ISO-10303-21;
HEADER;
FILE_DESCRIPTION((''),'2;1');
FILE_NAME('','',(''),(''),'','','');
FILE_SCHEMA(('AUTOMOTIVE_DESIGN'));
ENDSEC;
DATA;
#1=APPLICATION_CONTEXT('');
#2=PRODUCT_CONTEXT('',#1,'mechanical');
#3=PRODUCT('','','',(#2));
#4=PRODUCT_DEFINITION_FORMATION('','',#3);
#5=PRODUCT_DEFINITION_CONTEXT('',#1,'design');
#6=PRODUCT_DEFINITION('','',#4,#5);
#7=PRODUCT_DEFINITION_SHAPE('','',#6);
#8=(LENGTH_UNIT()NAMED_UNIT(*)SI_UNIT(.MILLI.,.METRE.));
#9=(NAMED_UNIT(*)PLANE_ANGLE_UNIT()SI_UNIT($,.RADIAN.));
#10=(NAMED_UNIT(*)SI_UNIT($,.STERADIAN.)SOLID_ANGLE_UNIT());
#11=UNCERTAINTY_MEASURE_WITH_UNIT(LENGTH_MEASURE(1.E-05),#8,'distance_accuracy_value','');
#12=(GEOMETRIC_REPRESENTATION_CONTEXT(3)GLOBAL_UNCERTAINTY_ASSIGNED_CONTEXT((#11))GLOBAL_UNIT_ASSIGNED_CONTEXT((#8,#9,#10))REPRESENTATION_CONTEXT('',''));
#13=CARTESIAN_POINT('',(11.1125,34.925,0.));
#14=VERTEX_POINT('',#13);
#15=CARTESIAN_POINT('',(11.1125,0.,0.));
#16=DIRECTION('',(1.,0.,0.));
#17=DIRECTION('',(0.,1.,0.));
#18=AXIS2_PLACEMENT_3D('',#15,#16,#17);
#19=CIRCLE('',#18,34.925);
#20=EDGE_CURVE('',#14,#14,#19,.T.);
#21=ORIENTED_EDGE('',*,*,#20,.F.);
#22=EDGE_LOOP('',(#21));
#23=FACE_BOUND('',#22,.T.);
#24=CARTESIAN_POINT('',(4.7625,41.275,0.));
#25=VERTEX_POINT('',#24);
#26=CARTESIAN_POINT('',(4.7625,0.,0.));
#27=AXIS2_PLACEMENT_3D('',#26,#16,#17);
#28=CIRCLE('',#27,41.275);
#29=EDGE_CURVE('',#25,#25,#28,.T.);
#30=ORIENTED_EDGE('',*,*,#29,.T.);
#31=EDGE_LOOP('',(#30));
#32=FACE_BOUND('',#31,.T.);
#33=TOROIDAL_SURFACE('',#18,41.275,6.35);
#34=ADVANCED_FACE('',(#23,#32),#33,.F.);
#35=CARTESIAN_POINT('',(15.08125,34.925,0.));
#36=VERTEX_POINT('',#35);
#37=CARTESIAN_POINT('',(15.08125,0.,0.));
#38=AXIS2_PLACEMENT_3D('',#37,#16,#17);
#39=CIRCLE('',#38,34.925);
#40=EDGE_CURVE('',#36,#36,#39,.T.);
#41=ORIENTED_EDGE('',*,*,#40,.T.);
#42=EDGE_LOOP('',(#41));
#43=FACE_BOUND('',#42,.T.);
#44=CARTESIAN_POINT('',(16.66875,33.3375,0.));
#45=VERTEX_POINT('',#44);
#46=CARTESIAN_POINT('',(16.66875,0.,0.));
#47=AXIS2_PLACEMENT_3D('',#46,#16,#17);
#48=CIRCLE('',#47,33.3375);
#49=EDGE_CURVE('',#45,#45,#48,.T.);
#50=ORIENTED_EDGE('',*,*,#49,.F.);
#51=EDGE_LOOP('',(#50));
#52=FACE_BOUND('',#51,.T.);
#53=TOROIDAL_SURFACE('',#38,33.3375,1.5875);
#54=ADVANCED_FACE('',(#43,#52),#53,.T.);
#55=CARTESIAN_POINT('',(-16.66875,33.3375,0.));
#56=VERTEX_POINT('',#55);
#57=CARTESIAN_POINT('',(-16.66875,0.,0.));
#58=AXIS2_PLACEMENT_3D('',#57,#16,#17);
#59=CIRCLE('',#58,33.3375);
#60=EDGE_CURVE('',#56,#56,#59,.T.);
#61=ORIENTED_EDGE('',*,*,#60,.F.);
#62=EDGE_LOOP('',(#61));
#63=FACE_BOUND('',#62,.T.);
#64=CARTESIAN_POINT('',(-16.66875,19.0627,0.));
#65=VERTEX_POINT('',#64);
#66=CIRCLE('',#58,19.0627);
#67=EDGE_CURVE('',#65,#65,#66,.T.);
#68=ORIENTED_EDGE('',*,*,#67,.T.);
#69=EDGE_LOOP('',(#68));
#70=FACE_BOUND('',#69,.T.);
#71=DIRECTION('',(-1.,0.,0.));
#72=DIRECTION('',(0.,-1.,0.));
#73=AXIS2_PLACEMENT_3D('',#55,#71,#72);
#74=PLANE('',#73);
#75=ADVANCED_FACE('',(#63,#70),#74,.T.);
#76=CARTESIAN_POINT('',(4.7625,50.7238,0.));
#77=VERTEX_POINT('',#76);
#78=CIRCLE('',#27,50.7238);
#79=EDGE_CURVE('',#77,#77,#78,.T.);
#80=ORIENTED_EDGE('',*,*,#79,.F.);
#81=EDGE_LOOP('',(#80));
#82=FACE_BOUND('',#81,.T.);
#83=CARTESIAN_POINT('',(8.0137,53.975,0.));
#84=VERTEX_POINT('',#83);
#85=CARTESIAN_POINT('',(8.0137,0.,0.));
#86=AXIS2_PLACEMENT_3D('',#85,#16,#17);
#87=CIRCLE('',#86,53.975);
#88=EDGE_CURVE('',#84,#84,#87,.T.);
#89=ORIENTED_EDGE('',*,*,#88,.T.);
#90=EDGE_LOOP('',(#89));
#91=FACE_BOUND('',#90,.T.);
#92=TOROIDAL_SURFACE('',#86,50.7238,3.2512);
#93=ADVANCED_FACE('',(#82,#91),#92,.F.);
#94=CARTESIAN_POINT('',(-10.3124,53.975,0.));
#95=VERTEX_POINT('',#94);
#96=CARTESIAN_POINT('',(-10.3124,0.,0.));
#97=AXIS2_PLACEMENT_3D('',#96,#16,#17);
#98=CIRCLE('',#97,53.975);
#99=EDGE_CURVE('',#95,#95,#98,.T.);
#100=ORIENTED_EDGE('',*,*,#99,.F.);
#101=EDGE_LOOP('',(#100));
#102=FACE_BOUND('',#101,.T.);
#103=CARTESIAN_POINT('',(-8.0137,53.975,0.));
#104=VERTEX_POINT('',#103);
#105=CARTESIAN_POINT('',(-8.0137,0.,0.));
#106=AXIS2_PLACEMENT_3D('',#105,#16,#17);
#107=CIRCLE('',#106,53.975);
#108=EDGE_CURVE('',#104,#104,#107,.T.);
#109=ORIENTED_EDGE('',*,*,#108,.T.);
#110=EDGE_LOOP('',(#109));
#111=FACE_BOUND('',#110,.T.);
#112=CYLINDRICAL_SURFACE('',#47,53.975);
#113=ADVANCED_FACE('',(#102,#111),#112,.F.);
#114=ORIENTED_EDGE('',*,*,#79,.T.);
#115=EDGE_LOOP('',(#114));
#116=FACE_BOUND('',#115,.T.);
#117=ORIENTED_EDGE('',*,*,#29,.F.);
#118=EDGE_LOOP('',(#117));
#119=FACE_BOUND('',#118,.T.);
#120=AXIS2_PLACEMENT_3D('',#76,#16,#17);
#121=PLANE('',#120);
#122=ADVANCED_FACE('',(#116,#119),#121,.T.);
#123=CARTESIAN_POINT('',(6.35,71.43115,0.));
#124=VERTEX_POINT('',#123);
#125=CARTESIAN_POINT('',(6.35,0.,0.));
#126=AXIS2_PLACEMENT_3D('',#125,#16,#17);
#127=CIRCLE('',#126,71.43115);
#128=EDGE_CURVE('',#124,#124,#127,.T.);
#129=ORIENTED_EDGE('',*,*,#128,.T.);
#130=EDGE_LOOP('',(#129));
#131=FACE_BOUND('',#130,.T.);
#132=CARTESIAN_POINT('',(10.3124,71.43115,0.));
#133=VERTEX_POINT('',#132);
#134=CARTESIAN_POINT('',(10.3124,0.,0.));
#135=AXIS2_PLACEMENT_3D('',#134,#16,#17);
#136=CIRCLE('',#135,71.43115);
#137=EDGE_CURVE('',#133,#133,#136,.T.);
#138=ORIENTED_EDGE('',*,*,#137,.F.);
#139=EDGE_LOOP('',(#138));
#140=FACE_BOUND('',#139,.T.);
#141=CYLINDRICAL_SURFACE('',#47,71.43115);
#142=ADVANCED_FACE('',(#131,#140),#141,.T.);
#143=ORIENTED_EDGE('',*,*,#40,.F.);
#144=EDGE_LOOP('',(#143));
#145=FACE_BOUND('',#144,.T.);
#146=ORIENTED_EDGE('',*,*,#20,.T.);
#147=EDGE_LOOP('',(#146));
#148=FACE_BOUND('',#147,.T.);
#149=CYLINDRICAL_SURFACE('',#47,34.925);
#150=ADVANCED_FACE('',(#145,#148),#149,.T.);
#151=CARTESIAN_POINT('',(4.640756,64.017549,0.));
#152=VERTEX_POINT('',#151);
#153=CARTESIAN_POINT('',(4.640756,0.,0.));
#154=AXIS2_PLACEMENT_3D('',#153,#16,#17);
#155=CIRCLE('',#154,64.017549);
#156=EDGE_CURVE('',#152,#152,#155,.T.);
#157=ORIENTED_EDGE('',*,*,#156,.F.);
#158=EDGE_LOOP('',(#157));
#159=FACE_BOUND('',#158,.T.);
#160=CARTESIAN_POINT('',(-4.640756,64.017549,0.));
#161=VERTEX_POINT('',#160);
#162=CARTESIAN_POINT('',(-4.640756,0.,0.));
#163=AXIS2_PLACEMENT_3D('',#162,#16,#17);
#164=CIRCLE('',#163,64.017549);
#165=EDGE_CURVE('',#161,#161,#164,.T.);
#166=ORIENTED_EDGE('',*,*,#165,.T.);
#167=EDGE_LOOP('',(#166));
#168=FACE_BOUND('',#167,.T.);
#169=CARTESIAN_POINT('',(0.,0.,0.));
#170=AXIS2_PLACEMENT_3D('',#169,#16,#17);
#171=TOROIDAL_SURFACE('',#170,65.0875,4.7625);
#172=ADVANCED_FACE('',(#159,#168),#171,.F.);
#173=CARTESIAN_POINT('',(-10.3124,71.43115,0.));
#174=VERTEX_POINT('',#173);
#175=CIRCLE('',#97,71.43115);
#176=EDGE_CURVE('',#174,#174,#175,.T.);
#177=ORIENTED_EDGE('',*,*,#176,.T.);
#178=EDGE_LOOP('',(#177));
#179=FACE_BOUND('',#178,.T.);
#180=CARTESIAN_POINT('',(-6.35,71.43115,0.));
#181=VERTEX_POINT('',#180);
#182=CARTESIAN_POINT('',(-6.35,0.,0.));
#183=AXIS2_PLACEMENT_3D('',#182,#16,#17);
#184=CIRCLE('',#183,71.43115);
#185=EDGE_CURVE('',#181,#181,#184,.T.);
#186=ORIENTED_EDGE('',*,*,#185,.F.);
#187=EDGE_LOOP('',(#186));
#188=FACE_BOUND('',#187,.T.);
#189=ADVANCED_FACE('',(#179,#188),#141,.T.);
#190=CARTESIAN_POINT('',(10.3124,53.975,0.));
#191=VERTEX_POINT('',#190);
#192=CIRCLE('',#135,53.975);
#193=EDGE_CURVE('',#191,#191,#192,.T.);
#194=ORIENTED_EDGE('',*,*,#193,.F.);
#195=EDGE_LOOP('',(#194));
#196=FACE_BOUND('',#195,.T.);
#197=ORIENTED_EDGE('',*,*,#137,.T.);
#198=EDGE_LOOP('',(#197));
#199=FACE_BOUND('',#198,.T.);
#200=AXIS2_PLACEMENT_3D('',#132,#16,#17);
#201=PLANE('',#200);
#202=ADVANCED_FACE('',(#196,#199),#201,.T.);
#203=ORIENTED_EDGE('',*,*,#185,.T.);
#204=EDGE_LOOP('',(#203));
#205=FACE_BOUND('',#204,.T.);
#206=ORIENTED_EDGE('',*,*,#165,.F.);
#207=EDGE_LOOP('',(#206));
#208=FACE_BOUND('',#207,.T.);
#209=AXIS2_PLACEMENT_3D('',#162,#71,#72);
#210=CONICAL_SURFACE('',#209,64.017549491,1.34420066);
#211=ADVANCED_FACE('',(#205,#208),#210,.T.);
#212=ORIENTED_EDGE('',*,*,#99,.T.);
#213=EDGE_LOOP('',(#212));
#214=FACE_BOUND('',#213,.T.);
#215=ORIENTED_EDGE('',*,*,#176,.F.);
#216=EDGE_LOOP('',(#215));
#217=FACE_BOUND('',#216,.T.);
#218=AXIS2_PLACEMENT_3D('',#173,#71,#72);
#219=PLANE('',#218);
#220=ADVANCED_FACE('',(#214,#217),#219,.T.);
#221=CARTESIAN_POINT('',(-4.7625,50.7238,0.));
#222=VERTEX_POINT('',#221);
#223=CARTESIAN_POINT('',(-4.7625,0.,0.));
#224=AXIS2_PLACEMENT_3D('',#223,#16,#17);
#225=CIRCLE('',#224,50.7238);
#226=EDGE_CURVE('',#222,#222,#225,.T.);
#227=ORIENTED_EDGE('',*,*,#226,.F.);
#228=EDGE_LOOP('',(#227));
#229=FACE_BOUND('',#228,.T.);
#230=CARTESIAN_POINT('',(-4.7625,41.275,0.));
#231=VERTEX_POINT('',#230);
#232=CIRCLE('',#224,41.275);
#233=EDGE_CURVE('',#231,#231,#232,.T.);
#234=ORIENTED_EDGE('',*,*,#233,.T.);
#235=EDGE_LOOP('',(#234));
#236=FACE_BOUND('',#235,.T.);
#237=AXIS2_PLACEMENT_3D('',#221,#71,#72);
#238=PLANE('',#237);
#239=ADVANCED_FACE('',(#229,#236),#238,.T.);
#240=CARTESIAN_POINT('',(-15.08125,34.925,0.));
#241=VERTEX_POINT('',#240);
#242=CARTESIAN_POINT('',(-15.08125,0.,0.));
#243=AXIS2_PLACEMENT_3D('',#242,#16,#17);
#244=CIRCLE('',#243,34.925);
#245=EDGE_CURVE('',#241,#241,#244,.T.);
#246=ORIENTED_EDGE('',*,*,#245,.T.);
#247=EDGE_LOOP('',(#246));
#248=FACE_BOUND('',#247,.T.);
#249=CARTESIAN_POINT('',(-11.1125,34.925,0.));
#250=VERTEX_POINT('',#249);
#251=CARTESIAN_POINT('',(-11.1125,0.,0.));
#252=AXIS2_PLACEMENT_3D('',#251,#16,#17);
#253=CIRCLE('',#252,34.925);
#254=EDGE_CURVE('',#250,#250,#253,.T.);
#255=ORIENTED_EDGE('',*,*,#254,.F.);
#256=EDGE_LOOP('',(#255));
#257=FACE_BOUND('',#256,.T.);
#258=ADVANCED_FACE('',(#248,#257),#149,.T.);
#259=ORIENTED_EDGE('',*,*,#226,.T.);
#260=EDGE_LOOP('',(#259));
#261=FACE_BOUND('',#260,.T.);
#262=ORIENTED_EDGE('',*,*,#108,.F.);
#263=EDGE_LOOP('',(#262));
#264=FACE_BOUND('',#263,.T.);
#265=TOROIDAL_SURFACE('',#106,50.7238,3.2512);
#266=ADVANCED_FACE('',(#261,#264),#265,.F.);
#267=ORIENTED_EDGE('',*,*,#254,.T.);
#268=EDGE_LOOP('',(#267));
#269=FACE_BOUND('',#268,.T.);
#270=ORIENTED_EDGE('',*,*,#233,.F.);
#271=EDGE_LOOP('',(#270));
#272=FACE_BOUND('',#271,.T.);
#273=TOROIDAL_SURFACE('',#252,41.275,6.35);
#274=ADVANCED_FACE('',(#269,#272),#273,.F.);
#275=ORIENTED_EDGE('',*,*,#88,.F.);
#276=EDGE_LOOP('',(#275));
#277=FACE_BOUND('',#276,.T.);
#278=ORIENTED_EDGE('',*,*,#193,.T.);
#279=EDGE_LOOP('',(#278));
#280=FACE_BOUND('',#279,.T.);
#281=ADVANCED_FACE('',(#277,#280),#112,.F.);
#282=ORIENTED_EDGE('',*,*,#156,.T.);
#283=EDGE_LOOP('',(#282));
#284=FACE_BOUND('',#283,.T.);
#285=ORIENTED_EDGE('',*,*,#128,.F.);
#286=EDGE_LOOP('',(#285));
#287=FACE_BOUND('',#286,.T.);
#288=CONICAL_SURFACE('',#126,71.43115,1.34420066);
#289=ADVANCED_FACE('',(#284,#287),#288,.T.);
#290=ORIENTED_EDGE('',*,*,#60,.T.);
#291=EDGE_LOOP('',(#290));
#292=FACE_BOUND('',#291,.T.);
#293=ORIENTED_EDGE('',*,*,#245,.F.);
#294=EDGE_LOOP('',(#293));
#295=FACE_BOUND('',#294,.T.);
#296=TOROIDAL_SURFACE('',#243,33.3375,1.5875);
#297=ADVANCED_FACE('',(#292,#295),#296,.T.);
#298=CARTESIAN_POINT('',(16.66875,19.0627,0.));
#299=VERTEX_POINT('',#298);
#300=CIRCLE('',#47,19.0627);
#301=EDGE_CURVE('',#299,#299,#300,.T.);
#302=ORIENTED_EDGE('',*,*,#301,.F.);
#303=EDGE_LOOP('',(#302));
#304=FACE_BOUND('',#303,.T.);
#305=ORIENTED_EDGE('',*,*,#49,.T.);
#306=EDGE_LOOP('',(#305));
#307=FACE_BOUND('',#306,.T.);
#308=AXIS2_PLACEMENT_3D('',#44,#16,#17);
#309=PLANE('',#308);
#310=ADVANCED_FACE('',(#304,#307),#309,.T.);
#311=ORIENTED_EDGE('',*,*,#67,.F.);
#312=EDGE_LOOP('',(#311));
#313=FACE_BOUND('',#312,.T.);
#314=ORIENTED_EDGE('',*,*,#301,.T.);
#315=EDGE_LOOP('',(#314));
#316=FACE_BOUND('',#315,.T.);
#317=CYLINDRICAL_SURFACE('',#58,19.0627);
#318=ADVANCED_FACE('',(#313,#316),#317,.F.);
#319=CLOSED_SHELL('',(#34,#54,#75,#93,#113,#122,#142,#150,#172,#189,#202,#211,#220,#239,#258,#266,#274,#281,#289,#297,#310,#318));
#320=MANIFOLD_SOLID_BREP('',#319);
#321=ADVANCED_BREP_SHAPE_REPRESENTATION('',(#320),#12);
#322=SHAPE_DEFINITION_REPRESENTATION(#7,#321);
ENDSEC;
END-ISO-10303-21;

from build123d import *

# Parameters (mm, degrees)
SKETCH2_R          = 19.0627
CUT_EXTRUDE1_DEPTH = 34.3375


with BuildPart() as part:
    # Sketch1 → Revolve1 (revolve)
    with BuildSketch(Plane.XY):
        with BuildLine():
            Line((16.66875, 0), (-16.66875, 0))
            Line((-16.66875, 0), (-16.66875, 33.3375))
            ThreePointArc((-16.66875, 33.3375), (-16.203782015, 34.460032015), (-15.08125, 34.925))
            Line((-15.08125, 34.925), (-11.1125, 34.925))
            ThreePointArc((-11.1125, 34.925), (-6.622371939, 36.784871939), (-4.7625, 41.275))
            Line((-4.7625, 41.275), (-4.7625, 50.7238))
            ThreePointArc((-4.7625, 50.7238), (-5.714754433, 53.022745567), (-8.0137, 53.975))
            Line((-8.0137, 53.975), (-10.3124, 53.975))
            Line((-10.3124, 53.975), (-10.3124, 71.43115))
            Line((-10.3124, 71.43115), (-6.35, 71.43115))
            Line((-6.35, 71.43115), (-4.640755559, 64.017549491))
            ThreePointArc((-4.640755559, 64.017549491), (0, 60.325), (4.640755559, 64.017549491))
            Line((4.640755559, 64.017549491), (6.35, 71.43115))
            Line((6.35, 71.43115), (10.3124, 71.43115))
            Line((10.3124, 71.43115), (10.3124, 53.975))
            Line((10.3124, 53.975), (8.0137, 53.975))
            ThreePointArc((8.0137, 53.975), (5.714754433, 53.022745567), (4.7625, 50.7238))
            Line((4.7625, 50.7238), (4.7625, 41.275))
            ThreePointArc((4.7625, 41.275), (6.622371939, 36.784871939), (11.1125, 34.925))
            Line((11.1125, 34.925), (15.08125, 34.925))
            ThreePointArc((15.08125, 34.925), (16.203782015, 34.460032015), (16.66875, 33.3375))
            Line((16.66875, 33.3375), (16.66875, 0))
        make_face()
    revolve(axis=Axis((16.66875, 0, 0), (-1, 0, 0)))

    # Sketch2 → Cut-Extrude1 (cut, through all)
    with BuildSketch(Plane(origin=(16.66875, 0, 0), x_dir=(0, 0, -1), z_dir=(1, 0, 0))):
        with Locations(Location((0, 0, 0), (0, 0, 90))):  # turned: the seam where the file's is
            Circle(SKETCH2_R)
    extrude(amount=-CUT_EXTRUDE1_DEPTH, mode=Mode.SUBTRACT)


solid = part.part
